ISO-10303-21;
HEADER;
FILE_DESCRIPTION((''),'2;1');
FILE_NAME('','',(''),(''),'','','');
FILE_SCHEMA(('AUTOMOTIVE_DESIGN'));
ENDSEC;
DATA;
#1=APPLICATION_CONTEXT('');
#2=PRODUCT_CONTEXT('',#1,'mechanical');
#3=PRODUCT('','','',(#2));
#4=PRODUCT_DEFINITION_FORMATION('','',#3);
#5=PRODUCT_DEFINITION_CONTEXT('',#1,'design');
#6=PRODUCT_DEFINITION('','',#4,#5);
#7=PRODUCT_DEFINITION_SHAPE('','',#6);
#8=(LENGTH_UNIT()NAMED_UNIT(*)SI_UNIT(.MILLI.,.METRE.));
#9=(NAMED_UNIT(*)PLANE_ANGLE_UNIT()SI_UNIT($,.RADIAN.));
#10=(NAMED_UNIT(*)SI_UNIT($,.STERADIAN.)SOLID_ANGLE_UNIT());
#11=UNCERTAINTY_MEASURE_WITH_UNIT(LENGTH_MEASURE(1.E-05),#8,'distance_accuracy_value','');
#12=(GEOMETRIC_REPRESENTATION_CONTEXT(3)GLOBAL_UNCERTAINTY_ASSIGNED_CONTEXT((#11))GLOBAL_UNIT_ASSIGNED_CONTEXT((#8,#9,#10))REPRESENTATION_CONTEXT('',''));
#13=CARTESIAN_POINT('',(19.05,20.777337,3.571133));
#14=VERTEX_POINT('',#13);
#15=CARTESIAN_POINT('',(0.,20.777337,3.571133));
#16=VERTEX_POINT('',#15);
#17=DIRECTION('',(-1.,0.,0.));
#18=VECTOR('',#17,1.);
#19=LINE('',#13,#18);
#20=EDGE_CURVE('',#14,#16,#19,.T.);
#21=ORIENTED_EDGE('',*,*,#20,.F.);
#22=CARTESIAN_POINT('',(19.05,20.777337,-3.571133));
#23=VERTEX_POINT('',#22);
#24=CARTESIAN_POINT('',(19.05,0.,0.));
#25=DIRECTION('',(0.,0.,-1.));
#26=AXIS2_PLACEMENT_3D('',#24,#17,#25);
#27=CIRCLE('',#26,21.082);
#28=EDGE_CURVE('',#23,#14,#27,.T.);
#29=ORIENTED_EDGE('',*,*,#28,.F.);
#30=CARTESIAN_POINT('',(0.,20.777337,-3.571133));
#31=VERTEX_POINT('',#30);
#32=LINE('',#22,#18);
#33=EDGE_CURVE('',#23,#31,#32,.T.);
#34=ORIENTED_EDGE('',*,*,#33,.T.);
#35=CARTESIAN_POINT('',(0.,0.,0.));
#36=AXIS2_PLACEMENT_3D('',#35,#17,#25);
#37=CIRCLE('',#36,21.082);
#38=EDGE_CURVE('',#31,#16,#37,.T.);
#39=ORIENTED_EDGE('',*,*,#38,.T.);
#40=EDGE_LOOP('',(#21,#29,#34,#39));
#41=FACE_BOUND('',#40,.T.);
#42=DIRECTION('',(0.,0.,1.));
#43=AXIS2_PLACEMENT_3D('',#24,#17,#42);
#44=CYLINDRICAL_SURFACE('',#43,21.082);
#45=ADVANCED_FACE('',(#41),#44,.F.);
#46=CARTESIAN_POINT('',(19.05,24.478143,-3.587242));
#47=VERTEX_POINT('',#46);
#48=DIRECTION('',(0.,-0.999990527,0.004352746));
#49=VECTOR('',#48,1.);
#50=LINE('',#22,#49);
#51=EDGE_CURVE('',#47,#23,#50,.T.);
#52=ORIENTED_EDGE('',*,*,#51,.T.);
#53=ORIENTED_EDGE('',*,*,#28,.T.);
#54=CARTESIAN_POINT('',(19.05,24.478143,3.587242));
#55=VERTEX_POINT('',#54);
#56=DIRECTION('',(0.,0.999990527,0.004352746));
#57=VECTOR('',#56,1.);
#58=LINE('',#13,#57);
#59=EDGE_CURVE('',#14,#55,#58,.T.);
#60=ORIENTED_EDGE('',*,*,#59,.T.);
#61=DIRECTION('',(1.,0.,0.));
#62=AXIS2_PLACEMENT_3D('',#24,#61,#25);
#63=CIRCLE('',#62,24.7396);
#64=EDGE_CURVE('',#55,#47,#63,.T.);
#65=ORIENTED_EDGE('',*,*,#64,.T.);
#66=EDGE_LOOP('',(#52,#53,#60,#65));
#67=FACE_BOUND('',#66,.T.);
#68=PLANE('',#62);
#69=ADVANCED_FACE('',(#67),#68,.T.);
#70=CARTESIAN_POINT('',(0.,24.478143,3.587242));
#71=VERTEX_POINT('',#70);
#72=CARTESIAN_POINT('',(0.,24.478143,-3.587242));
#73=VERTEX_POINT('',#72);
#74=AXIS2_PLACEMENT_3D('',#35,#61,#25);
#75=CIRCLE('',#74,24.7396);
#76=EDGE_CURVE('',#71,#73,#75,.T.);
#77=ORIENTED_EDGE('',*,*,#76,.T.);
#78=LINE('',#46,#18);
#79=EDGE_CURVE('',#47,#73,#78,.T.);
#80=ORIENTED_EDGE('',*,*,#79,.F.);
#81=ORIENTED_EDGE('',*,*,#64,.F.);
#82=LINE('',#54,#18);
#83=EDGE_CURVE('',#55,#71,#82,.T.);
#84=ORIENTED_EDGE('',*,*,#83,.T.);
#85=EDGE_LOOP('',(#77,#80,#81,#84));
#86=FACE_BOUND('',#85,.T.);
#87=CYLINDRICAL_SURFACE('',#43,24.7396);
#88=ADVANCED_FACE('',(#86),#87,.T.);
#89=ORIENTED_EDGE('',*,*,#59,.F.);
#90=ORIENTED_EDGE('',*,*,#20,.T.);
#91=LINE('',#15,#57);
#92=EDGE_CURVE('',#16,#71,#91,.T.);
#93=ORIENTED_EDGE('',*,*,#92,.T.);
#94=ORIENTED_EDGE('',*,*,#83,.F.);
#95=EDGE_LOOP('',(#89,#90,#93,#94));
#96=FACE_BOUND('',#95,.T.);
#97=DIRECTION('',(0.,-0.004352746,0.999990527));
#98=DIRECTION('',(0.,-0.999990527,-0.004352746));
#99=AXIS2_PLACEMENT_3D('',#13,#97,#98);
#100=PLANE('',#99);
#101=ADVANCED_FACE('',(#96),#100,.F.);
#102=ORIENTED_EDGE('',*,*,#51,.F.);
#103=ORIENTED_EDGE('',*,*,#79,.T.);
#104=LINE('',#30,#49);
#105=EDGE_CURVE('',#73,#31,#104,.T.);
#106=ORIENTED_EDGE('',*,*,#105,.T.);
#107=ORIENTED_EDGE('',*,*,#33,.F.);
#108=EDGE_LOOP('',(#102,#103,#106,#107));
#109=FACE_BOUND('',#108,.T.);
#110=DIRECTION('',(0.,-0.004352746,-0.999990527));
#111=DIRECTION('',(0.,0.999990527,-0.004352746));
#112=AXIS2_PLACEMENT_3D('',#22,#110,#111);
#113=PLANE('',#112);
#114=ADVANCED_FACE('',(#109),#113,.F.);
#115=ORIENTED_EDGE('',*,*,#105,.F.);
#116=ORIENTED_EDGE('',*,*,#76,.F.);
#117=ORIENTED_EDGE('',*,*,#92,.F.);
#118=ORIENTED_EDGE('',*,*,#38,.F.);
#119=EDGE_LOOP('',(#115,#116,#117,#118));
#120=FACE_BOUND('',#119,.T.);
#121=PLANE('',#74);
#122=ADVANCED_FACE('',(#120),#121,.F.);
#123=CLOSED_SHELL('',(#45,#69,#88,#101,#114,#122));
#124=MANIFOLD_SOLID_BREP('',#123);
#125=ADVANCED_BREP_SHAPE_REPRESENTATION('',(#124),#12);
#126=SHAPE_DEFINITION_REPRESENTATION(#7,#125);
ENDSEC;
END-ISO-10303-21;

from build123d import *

# Parameters (mm, degrees)
BOSS_EXTRUDE1_DEPTH = 19.05


with BuildPart() as part:
    # Sketch1 → Boss-Extrude1 (new body)
    with BuildSketch(Plane(origin=(0, 0, 0), x_dir=(0, 0, -1), z_dir=(1, 0, 0))):
        with BuildLine():
            Line((3.571133178, 20.777336976), (3.587242, 24.478143373))
            ThreePointArc((3.587242, 24.478143373), (0, -24.7396), (-3.587242, 24.478143373))
            Line((-3.587242, 24.478143373), (-3.571133178, 20.777336976))
            ThreePointArc((-3.571133178, 20.777336976), (0, -21.082), (3.571133178, 20.777336976))
        make_face()
    extrude(amount=BOSS_EXTRUDE1_DEPTH)


solid = part.part
